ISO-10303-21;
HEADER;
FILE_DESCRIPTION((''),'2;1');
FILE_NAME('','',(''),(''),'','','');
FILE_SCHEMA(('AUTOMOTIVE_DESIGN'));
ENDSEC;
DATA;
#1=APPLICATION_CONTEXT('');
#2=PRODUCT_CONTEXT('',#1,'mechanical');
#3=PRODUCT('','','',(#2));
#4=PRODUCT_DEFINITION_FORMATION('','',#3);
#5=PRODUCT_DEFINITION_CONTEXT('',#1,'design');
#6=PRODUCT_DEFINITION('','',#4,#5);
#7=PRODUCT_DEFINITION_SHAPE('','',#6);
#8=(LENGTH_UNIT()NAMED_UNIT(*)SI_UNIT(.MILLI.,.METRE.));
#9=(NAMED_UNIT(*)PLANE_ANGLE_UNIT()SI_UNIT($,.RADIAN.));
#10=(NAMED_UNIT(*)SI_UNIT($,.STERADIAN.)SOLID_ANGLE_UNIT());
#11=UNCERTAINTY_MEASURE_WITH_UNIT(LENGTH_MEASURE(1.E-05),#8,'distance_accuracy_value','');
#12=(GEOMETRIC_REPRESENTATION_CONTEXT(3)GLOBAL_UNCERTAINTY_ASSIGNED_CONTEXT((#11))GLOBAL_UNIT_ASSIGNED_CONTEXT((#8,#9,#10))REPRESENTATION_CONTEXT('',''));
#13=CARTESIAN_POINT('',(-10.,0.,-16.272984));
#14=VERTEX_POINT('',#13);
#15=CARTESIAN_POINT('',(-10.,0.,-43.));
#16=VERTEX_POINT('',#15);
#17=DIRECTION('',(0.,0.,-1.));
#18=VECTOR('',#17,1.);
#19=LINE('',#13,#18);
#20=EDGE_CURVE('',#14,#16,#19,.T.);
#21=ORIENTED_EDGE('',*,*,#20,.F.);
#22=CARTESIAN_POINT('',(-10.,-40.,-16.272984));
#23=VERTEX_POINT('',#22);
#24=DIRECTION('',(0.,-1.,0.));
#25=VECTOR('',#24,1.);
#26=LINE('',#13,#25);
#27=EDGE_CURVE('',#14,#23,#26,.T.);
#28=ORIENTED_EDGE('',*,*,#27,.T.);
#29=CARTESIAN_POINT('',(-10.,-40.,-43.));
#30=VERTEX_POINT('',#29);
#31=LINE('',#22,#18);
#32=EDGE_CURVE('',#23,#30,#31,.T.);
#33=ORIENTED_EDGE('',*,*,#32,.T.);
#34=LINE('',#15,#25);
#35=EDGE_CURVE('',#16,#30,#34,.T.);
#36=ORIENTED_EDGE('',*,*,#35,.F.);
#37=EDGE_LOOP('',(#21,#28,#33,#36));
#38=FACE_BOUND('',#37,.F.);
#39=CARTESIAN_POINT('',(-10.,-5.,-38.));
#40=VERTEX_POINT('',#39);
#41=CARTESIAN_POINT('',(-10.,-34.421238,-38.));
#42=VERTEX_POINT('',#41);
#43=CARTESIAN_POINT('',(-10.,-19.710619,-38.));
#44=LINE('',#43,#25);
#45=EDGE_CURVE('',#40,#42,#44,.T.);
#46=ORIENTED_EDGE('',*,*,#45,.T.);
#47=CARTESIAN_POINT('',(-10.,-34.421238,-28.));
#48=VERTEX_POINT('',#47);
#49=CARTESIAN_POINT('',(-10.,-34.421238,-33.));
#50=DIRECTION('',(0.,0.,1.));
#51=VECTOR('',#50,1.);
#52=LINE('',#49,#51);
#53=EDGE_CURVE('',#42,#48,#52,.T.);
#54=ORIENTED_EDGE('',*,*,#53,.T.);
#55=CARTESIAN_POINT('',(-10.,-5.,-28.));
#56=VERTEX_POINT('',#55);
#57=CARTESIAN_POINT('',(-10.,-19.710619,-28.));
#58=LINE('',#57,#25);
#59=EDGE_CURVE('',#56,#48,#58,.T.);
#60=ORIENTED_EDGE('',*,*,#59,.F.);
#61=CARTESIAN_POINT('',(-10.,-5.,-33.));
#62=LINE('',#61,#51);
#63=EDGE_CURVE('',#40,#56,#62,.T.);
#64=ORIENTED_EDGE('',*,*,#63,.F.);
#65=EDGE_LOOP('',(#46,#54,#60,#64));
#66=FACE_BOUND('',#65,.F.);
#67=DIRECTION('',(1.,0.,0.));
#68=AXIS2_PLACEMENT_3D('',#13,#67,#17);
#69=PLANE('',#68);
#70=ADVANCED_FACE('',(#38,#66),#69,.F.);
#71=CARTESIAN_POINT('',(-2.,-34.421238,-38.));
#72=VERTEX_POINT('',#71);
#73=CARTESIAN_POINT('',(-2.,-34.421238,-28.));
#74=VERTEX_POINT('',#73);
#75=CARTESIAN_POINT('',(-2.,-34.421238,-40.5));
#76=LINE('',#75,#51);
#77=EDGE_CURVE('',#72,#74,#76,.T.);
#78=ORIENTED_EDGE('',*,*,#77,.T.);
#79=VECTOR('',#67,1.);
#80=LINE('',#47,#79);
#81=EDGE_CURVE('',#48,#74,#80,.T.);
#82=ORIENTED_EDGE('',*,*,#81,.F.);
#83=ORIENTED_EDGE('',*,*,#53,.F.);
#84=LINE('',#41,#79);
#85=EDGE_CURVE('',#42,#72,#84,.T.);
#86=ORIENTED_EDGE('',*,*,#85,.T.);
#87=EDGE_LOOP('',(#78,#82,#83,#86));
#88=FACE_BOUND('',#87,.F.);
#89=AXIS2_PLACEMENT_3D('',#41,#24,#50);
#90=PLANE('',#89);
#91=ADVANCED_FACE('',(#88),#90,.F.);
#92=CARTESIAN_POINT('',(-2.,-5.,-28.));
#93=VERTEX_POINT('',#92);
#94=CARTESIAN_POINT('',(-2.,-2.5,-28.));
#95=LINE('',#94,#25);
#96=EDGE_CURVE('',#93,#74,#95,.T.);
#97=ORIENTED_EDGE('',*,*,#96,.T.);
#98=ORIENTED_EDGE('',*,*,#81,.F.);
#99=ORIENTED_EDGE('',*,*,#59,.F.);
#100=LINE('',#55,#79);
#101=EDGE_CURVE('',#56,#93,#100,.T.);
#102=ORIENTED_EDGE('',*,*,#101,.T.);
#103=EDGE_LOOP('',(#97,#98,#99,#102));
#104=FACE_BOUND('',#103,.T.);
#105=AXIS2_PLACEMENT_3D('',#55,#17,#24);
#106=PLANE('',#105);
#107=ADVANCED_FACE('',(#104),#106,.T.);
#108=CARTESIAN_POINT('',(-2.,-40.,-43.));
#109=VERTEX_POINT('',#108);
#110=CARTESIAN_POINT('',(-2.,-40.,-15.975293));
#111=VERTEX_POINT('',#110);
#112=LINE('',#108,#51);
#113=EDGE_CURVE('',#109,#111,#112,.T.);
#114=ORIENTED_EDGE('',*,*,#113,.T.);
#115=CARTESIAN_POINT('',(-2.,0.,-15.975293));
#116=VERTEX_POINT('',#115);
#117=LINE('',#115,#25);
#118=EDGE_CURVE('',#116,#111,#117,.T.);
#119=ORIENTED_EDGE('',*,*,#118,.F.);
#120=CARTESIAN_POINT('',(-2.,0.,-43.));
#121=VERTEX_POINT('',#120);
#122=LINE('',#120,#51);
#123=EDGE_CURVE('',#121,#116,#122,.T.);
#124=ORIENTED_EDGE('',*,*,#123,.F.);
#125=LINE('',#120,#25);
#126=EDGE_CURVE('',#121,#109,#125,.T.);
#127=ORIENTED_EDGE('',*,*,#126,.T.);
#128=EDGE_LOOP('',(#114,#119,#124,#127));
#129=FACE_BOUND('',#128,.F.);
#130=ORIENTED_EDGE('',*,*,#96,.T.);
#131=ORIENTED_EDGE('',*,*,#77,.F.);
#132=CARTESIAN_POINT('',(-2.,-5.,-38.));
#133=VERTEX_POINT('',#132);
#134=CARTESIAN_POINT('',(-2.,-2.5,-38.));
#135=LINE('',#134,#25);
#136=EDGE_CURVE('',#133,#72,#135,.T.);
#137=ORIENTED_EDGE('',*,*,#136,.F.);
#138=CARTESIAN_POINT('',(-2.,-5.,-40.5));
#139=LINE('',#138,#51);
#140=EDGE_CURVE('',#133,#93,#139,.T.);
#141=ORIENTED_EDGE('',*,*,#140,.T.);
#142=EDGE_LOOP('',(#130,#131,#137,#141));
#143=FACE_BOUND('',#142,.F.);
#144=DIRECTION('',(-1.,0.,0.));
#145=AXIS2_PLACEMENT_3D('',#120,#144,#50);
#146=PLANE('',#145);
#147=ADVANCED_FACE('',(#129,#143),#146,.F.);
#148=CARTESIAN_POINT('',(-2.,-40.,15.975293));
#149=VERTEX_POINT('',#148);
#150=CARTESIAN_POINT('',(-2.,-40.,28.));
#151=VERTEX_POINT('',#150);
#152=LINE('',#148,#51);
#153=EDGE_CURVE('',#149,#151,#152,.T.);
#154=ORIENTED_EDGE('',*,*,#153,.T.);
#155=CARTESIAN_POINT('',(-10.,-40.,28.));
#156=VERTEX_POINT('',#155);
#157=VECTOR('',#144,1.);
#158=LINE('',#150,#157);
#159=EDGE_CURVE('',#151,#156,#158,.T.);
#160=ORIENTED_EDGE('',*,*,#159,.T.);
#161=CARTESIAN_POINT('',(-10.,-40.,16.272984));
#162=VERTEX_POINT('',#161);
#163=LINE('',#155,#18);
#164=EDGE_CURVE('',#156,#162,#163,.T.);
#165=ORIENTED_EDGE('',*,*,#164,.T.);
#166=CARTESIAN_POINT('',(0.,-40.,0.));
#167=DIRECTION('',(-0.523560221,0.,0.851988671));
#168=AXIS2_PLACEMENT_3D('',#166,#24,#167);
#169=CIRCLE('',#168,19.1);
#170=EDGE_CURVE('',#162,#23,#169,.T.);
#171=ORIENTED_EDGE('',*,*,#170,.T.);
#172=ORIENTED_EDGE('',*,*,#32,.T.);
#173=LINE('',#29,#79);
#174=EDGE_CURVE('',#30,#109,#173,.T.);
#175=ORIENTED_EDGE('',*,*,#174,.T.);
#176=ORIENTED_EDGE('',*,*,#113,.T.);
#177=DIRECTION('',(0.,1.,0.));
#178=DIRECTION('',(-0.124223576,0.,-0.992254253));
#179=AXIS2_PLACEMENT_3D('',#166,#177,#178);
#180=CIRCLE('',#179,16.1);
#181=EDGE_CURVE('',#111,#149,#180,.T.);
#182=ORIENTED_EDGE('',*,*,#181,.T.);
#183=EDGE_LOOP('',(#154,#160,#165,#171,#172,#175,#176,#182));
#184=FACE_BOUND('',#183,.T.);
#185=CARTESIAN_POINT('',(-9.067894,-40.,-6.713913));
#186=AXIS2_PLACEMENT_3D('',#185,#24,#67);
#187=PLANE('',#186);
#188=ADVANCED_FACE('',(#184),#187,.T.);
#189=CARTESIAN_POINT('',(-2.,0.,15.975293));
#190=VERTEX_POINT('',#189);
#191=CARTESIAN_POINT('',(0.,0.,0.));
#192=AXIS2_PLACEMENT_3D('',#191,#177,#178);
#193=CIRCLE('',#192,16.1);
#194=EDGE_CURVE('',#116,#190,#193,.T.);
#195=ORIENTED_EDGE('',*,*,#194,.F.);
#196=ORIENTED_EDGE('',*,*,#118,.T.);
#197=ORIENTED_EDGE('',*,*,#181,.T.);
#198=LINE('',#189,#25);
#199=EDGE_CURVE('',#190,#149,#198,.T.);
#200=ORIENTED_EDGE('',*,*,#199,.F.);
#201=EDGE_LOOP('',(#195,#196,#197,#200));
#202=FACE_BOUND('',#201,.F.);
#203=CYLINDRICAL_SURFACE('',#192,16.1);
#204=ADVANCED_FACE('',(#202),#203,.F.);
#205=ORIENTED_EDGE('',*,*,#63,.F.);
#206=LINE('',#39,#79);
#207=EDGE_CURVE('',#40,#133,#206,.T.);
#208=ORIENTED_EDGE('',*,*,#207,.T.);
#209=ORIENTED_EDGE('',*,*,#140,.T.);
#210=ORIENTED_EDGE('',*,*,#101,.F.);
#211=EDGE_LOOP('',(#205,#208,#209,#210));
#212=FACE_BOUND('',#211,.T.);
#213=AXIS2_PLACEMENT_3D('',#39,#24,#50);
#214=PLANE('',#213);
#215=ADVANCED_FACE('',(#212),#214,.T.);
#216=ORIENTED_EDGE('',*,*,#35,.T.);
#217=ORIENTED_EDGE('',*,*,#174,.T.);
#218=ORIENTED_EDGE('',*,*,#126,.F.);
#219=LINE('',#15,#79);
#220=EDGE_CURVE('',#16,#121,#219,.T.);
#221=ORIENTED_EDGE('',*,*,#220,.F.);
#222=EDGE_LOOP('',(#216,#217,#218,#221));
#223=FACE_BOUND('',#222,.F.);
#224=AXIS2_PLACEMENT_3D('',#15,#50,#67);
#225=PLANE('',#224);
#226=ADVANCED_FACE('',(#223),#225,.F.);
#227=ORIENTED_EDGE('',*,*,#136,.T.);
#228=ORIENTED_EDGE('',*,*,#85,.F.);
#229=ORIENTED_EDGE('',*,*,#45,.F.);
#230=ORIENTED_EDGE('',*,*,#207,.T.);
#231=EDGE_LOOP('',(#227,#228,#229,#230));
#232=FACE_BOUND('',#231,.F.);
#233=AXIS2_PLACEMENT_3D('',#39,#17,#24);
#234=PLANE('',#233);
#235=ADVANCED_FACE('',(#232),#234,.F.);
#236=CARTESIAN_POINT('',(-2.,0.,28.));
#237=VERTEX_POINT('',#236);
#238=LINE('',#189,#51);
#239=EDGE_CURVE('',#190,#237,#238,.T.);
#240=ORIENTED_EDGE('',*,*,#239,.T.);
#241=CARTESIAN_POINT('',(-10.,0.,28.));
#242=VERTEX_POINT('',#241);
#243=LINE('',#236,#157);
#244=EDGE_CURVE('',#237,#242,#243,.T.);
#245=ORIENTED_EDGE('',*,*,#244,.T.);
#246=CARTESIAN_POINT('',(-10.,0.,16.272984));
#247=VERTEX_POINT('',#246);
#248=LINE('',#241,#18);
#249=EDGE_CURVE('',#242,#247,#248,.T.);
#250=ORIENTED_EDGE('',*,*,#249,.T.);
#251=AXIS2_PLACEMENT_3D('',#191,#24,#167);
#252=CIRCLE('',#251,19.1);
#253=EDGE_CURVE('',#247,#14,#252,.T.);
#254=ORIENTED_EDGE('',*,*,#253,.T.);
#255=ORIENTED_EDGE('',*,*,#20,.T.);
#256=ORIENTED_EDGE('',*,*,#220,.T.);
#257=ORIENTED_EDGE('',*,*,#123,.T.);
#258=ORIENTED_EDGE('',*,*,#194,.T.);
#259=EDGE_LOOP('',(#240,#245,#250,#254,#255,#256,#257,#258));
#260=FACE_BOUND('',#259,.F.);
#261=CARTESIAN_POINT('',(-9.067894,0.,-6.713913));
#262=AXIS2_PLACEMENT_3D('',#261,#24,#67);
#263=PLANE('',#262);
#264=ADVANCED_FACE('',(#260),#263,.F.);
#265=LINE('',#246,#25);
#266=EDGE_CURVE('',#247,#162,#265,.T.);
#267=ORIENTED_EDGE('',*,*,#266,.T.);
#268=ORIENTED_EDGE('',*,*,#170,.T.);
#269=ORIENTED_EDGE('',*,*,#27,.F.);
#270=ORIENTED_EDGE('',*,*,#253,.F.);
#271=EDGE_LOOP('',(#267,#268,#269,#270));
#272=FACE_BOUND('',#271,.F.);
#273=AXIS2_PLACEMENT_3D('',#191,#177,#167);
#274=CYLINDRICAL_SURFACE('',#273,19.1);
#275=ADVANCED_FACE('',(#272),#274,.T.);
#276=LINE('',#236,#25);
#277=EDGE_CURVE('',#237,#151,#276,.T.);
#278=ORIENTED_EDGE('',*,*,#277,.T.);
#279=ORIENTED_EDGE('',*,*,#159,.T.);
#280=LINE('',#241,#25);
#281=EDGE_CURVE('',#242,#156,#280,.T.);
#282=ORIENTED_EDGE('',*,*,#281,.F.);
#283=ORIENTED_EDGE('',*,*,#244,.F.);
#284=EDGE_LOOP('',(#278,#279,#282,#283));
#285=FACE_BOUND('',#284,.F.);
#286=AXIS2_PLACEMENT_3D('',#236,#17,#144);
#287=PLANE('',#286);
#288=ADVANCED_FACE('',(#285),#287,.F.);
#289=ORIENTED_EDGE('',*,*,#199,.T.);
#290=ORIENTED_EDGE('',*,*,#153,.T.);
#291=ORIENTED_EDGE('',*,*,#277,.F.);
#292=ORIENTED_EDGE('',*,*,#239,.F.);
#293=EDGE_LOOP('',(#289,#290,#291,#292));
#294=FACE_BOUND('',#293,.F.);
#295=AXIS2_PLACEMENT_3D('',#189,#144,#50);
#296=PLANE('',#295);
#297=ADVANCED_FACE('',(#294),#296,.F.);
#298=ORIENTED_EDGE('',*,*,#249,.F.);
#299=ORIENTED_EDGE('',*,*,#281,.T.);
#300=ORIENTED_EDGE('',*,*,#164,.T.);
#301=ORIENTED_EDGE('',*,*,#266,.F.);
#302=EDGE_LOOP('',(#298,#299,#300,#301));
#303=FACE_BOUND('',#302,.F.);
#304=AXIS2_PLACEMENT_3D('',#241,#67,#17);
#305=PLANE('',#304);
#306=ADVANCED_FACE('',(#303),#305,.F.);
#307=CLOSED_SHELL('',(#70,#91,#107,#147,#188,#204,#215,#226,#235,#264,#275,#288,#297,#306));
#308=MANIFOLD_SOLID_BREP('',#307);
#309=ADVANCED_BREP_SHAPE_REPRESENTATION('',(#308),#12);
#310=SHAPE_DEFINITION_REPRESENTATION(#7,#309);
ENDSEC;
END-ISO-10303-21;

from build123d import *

# Parameters (mm, degrees)
F1_DEPTH = 40
F2_W     = 29.421238
F2_H     = 10
F3_DEPTH = 8.001


with BuildPart() as f1:
    # F0 (on Front) → F1 (new body)
    with BuildSketch(Plane.XZ):
        with BuildLine():
            ThreePointArc((-2, -15.975293), (-16.1, 0), (-2, 15.975293))
            Line((-2, 15.975293), (-2, 28))
            Line((-2, 28), (-10, 28))
            Line((-10, 28), (-10, 16.272984))
            ThreePointArc((-10, 16.272984), (-19.1, 0), (-10, -16.272984))
            Line((-10, -16.272984), (-10, -28))
            Line((-10, -28), (-10, -43))
            Line((-10, -43), (-2, -43))
            Line((-2, -43), (-2, -28))
            Line((-2, -28), (-2, -15.975293))
        make_face()
    extrude(amount=F1_DEPTH)

    # F2 (on face) → F3 (cut, through all)
    with BuildSketch(Plane(origin=(-10, 0, 0), x_dir=(0, -1, 0), z_dir=(-1, 0, 0))):
        with Locations((19.710619, -33)):
            Rectangle(F2_W, F2_H)
    extrude(amount=-F3_DEPTH, mode=Mode.SUBTRACT)


solid = f1.part
